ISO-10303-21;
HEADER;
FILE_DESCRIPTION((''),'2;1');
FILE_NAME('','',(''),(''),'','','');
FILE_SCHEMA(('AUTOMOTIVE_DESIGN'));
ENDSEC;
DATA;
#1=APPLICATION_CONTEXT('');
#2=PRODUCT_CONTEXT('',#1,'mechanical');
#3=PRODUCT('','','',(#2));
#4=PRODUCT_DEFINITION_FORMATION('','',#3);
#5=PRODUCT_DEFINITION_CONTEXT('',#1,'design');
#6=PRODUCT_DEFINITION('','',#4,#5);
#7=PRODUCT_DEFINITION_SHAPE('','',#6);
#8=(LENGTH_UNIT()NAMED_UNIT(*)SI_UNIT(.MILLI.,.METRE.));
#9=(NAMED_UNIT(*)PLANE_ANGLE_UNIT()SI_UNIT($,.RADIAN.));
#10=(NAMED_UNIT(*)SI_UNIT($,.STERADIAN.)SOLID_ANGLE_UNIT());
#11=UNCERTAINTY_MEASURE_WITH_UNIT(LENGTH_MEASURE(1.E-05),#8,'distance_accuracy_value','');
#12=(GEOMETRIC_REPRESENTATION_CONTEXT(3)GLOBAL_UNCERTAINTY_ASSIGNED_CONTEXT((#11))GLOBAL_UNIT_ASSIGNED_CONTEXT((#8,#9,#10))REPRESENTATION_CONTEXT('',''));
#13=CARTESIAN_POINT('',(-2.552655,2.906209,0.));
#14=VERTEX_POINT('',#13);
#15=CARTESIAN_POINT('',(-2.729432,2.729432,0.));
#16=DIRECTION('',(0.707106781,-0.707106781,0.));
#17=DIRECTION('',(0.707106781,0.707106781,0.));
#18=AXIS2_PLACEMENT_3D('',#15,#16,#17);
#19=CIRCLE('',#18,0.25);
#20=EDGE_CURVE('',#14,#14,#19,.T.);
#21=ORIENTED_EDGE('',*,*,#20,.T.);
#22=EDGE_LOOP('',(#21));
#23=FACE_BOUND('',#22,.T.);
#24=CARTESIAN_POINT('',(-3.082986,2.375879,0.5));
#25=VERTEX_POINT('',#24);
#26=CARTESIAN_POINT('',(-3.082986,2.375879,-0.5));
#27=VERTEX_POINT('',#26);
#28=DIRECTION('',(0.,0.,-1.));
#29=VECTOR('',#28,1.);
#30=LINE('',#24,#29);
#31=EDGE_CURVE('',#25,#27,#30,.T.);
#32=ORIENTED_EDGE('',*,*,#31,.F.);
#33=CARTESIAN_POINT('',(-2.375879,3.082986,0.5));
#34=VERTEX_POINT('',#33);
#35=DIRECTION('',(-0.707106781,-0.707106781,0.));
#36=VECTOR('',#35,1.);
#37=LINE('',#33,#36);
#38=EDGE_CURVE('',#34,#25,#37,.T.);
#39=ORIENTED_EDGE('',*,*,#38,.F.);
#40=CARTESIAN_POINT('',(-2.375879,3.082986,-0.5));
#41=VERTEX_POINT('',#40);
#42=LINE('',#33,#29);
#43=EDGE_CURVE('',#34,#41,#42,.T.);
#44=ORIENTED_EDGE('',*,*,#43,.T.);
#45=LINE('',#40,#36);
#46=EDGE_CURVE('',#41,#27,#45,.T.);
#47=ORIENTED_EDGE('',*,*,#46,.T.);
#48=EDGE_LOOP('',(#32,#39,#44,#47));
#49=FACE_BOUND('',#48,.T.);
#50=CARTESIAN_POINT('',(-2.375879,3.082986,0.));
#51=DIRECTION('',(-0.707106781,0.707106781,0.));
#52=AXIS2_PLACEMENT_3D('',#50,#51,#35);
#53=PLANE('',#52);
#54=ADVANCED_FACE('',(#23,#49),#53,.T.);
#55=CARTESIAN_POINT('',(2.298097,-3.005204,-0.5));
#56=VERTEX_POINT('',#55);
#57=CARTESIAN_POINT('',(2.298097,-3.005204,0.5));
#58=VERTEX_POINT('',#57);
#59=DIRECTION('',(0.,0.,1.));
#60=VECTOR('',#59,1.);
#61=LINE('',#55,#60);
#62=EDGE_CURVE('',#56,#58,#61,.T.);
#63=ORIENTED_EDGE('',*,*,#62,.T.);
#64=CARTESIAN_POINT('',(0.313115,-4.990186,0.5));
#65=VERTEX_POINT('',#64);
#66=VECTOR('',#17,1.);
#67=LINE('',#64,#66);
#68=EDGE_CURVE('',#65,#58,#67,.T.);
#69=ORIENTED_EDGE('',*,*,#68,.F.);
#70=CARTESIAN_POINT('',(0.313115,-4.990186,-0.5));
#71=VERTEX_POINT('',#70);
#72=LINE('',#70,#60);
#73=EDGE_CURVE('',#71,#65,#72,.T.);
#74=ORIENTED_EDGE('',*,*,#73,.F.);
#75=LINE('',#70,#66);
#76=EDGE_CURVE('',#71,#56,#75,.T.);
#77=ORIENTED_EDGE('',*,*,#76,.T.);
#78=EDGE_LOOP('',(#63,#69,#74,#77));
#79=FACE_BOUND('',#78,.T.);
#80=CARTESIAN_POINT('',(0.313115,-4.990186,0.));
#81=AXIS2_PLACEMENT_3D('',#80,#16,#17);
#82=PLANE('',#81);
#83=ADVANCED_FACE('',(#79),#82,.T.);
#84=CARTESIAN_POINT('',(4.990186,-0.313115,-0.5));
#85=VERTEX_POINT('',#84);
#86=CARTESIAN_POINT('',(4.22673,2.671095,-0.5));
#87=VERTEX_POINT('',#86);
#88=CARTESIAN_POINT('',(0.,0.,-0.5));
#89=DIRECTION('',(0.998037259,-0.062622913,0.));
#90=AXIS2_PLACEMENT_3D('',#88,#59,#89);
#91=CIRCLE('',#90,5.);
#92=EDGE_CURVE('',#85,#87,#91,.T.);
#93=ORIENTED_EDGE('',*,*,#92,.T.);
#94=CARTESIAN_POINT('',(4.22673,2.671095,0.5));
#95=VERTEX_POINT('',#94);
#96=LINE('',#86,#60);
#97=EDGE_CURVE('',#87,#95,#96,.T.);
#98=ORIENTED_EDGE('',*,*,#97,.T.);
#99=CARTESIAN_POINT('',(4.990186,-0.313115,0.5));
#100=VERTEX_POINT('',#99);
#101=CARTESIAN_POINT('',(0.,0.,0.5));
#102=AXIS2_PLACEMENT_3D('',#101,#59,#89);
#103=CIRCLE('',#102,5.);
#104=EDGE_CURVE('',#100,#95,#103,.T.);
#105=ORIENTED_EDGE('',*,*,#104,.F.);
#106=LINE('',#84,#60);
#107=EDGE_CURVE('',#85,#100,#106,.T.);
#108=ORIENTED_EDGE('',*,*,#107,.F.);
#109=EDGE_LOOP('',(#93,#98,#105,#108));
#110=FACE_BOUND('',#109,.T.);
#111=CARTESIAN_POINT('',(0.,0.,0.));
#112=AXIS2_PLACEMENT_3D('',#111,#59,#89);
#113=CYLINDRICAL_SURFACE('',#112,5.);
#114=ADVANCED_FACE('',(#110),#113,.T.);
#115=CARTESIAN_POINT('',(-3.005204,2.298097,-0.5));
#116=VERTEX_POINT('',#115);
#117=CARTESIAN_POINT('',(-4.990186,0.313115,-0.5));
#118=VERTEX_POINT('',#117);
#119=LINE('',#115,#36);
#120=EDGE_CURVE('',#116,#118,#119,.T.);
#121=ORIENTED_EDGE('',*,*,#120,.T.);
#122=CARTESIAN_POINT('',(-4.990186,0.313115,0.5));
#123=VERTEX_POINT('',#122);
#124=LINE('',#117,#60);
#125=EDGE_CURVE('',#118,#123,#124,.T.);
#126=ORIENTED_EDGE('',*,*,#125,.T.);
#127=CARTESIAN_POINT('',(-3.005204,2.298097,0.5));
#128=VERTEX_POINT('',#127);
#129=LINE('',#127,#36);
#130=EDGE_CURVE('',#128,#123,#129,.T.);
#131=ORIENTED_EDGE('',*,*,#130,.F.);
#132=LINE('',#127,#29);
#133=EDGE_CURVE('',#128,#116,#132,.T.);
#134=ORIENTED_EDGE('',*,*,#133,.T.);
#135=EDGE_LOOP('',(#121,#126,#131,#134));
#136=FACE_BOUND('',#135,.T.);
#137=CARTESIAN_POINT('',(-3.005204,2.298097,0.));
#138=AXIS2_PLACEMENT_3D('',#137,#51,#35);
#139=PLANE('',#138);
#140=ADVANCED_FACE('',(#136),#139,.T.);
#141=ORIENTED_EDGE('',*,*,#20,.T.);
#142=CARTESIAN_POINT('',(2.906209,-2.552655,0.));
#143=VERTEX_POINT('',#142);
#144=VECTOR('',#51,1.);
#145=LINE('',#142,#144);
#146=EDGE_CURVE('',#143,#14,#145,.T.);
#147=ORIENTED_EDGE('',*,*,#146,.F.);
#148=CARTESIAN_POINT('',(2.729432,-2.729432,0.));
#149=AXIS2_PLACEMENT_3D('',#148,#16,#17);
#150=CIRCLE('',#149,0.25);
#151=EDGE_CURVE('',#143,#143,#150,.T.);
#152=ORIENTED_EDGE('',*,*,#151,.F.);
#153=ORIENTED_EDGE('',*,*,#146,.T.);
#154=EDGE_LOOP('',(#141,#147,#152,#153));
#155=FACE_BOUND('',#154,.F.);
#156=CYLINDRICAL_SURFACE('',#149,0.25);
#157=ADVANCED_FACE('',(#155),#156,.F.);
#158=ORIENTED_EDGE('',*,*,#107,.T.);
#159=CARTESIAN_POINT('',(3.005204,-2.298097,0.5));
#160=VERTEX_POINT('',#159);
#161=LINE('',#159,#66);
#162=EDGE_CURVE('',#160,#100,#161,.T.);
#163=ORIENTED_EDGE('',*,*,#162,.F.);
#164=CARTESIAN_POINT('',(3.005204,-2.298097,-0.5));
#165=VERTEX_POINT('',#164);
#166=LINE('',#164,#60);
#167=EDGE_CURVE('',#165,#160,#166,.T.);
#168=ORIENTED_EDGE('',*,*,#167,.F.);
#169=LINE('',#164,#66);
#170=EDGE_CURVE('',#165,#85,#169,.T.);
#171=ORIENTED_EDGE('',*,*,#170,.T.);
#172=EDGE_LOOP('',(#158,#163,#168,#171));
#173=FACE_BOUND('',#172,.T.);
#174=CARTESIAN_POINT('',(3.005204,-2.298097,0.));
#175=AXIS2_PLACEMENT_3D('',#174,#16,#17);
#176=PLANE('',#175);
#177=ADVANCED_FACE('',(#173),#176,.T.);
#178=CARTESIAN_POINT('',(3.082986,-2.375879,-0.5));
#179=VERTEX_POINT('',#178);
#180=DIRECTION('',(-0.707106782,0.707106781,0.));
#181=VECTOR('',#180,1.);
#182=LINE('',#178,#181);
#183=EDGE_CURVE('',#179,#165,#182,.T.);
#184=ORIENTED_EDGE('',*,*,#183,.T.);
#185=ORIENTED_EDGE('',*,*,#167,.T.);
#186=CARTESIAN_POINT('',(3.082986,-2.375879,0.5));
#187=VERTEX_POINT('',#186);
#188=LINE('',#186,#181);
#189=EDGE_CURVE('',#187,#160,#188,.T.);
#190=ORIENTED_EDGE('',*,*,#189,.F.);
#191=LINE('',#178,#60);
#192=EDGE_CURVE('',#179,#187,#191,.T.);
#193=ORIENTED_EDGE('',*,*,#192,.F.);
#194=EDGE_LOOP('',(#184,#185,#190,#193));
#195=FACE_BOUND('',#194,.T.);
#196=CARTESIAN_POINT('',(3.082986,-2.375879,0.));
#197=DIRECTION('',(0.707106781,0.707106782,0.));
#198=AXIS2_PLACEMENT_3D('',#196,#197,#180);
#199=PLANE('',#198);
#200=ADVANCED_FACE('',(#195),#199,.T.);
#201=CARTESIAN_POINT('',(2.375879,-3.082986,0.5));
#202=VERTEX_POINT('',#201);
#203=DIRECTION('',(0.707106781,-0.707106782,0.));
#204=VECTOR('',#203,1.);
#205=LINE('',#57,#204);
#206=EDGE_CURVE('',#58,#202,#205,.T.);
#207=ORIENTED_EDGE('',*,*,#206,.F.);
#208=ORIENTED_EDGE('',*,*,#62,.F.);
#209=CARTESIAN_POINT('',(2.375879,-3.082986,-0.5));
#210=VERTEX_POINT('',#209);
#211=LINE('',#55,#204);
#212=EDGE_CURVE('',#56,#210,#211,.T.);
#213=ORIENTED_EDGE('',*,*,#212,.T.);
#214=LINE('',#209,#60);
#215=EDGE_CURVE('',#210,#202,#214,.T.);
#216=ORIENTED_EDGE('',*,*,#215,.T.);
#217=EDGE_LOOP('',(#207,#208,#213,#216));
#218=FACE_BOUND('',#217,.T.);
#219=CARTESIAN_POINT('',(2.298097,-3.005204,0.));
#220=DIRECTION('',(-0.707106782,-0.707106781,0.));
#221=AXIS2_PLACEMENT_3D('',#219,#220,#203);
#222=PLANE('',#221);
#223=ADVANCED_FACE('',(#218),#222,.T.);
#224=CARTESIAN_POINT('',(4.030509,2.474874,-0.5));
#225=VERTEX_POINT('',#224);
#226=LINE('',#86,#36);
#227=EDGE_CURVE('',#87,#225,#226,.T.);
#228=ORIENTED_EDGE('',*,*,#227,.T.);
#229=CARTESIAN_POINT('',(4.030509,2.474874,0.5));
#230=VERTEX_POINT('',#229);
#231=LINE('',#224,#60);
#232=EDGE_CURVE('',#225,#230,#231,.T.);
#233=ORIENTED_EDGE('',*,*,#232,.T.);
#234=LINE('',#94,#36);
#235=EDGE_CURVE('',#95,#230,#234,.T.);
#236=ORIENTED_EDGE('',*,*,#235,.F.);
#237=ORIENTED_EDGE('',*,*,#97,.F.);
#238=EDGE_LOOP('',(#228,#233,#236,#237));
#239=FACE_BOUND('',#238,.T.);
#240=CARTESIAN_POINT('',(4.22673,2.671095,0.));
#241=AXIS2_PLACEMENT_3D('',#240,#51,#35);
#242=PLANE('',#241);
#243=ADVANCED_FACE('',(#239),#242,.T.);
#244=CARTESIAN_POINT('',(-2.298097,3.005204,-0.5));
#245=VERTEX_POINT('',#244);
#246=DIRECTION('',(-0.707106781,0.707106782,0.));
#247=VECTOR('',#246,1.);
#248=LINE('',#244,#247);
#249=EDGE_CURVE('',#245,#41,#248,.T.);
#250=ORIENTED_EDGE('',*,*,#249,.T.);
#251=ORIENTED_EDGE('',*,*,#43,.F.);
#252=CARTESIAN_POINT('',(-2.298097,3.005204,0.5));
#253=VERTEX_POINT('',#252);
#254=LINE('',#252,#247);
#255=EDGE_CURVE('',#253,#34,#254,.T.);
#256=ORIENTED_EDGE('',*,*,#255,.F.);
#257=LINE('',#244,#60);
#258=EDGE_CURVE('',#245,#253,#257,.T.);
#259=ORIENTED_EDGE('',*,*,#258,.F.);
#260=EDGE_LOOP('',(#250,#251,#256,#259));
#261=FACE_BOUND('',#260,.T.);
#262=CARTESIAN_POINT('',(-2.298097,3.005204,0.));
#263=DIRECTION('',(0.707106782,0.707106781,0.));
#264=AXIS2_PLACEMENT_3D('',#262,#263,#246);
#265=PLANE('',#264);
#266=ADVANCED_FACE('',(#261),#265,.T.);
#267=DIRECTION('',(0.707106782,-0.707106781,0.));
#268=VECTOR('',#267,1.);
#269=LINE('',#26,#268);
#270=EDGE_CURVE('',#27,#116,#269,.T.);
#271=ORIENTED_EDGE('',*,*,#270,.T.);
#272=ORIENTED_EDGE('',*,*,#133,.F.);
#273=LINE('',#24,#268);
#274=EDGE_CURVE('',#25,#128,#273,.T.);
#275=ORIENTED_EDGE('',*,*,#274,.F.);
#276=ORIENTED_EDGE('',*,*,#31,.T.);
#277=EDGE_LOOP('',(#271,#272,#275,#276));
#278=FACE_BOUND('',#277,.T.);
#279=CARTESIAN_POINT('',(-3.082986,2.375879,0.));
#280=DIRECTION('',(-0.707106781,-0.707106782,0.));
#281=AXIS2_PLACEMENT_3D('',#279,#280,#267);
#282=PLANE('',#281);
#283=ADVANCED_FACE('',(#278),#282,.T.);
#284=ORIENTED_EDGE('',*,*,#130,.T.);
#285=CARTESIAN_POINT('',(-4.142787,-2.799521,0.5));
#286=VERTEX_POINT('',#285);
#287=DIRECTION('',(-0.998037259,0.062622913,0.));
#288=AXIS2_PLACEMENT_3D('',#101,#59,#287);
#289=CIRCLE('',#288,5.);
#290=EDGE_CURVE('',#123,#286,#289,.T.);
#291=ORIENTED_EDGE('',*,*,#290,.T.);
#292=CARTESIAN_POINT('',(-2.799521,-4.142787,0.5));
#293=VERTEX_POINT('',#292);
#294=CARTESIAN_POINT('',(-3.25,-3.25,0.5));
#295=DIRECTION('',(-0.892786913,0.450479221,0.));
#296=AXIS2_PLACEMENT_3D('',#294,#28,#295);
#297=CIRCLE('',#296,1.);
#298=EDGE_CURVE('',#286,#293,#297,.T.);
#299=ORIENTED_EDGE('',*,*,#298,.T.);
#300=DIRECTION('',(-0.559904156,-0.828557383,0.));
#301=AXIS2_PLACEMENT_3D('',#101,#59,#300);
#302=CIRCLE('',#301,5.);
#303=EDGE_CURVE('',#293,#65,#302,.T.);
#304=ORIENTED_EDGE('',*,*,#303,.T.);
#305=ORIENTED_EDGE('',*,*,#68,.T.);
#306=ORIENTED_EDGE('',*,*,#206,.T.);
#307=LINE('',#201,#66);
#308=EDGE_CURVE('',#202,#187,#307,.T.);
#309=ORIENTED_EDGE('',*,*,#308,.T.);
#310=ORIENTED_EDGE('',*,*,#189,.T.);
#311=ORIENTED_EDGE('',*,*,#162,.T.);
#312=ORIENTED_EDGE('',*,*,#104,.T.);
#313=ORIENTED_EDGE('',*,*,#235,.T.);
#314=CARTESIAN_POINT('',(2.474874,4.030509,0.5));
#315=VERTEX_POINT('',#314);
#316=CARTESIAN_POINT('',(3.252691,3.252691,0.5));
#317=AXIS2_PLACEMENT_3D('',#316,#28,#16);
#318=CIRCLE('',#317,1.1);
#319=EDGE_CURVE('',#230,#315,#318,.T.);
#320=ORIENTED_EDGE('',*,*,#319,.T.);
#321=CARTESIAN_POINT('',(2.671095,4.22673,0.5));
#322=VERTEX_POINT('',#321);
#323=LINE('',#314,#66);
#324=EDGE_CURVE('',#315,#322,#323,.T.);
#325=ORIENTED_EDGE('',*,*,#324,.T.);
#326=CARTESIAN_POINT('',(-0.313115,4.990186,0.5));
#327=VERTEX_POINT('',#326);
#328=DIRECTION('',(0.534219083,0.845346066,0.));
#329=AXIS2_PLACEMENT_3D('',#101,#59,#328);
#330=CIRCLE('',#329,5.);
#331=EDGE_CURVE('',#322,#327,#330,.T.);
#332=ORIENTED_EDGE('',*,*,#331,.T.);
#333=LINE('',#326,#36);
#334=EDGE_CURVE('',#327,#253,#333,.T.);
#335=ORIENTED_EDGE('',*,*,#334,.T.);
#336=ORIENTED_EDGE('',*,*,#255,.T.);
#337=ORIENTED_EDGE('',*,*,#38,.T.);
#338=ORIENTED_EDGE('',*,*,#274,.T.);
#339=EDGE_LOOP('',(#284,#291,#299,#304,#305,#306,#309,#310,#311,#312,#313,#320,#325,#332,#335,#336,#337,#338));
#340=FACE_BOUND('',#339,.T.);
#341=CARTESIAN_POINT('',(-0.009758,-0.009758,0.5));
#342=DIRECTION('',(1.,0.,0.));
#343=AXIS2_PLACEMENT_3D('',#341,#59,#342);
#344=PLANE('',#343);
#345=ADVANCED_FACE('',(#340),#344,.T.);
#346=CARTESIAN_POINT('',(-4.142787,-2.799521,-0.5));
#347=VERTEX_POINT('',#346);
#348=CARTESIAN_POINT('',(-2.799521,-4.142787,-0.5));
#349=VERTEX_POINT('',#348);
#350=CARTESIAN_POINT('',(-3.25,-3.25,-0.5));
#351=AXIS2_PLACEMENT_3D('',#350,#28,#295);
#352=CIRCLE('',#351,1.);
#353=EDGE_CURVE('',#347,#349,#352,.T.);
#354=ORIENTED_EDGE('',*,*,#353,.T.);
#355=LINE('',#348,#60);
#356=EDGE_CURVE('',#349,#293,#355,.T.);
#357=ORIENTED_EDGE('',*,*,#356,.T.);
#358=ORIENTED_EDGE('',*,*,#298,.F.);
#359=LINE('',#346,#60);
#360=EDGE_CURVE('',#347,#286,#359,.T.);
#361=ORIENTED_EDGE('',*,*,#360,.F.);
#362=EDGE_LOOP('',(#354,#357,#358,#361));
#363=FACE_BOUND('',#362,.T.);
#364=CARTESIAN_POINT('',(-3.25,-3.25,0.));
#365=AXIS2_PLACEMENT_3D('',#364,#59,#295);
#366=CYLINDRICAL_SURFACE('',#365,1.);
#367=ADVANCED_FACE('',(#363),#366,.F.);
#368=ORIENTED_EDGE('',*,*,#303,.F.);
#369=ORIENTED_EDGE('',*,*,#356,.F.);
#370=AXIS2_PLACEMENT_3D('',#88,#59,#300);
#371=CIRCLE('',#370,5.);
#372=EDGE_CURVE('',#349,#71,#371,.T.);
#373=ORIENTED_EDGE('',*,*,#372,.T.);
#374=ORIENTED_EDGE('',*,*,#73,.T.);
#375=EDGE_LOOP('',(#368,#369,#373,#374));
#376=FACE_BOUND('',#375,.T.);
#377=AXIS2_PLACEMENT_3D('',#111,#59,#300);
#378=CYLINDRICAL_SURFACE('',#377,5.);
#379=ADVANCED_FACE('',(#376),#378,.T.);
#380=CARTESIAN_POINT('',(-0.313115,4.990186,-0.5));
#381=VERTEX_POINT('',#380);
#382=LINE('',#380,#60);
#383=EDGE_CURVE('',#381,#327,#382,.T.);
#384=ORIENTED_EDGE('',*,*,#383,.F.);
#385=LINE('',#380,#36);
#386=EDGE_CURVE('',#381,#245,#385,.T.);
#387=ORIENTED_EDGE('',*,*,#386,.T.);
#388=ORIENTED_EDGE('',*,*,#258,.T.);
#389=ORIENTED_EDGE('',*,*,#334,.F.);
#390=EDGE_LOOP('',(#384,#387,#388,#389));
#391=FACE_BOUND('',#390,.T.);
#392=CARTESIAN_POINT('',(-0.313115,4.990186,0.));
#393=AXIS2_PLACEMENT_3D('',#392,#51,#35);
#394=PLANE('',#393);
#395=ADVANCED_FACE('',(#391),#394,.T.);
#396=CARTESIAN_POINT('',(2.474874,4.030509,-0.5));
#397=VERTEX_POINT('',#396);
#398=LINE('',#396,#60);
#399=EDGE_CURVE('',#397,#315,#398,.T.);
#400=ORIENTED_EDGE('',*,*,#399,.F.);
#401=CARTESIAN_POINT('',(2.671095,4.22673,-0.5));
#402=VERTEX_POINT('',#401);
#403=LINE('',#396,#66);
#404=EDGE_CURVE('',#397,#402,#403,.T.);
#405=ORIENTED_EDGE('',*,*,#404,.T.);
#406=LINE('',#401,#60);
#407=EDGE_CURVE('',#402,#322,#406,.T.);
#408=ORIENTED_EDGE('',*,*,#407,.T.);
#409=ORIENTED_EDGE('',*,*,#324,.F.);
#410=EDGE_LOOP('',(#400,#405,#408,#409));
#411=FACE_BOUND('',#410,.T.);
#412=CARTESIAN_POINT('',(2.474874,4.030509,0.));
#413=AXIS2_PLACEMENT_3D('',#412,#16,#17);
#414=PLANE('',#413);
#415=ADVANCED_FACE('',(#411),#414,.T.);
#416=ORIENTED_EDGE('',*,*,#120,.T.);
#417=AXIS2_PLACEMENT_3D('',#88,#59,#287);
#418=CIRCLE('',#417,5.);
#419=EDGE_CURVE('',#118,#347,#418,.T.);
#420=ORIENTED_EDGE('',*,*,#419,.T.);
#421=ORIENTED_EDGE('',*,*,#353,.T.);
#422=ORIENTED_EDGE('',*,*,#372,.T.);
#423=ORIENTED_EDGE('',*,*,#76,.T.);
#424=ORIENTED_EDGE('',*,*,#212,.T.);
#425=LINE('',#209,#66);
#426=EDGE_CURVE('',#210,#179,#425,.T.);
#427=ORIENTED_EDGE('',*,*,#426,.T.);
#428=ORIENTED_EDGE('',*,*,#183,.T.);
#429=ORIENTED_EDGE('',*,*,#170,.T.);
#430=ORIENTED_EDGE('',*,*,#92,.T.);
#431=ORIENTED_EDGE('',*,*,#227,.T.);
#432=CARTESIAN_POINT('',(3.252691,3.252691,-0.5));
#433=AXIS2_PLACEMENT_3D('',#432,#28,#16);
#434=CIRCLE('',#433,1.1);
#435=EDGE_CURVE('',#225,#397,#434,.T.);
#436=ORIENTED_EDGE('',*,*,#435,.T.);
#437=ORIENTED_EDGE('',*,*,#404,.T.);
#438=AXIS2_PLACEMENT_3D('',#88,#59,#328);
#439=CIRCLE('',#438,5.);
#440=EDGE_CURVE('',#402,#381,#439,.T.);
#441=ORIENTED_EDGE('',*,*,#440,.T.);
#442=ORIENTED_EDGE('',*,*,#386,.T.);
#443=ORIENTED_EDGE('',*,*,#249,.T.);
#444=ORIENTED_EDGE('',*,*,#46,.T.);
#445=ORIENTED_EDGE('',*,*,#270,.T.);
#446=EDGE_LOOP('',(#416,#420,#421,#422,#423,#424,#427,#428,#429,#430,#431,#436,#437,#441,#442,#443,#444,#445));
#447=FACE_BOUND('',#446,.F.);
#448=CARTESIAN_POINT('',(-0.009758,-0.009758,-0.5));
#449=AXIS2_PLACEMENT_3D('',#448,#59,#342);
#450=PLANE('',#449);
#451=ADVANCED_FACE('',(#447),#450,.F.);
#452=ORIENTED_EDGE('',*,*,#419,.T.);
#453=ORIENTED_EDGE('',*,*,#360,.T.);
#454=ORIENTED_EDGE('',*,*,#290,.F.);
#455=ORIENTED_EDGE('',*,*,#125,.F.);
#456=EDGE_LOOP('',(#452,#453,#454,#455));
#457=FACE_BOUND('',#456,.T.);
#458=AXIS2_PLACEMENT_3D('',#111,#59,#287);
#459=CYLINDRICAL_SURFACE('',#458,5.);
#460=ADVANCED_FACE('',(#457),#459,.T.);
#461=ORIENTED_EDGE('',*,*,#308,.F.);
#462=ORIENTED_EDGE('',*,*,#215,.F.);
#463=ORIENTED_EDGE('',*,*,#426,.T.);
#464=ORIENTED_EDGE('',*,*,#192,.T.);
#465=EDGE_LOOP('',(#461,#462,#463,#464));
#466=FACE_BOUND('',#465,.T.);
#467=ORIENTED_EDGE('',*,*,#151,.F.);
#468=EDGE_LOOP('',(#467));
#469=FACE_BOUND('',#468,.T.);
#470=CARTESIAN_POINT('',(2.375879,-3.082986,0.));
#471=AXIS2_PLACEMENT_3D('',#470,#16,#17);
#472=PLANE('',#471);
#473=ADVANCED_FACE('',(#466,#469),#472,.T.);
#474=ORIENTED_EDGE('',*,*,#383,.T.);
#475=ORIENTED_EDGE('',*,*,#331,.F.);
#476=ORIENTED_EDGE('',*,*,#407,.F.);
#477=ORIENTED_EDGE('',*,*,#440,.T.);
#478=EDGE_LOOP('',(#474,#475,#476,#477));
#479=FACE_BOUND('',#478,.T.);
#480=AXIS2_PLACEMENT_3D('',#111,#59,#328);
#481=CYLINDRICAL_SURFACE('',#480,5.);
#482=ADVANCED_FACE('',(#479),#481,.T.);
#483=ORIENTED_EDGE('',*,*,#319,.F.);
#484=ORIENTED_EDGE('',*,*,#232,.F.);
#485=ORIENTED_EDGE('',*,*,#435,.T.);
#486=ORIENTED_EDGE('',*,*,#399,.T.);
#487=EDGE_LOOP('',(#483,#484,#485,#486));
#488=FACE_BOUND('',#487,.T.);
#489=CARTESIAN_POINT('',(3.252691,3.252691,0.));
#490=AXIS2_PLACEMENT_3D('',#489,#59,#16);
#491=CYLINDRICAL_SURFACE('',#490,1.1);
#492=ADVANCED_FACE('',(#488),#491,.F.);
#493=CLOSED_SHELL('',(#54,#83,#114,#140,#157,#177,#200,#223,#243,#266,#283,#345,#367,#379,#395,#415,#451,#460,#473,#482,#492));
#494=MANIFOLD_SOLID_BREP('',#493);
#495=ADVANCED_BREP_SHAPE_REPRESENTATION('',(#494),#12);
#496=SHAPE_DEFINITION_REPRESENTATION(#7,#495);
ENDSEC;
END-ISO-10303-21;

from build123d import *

# Parameters (mm, degrees)
F1_DEPTH = 0.5
F2_R     = 0.25
F3_DEPTH = 10.9320678119


with BuildPart() as f1:
    # F0 (on Top) → F1 (new body, symmetric)
    with BuildSketch(Plane.XY):
        with BuildLine():
            Line((-3.00520382, 2.2980970389), (-4.9901862962, 0.3131145627))
            ThreePointArc((-4.9901862962, 0.3131145627), (-4.8244092491, -1.3134212566), (-4.1427869129, -2.7995207794))
            ThreePointArc((-4.1427869129, -2.7995207794), (-2.5428932188, -2.5428932188), (-2.7995207794, -4.1427869129))
            ThreePointArc((-2.7995207794, -4.1427869129), (-1.3134212566, -4.8244092491), (0.3131145627, -4.9901862962))
            Line((0.3131145627, -4.9901862962), (2.2980970389, -3.00520382))
            Line((2.2980970389, -3.00520382), (2.3758787848, -3.082985566))
            Line((2.3758787848, -3.082985566), (3.082985566, -2.3758787848))
            Line((3.082985566, -2.3758787848), (3.00520382, -2.2980970389))
            Line((3.00520382, -2.2980970389), (4.9901862962, -0.3131145627))
            ThreePointArc((4.9901862962, -0.3131145627), (4.8439927049, 1.2392476245), (4.2267303315, 2.6710954129))
            Line((4.2267303315, 2.6710954129), (4.0305086528, 2.4748737342))
            ThreePointArc((4.0305086528, 2.4748737342), (2.4748737342, 2.4748737342), (2.4748737342, 4.0305086528))
            Line((2.4748737342, 4.0305086528), (2.6710954129, 4.2267303315))
            ThreePointArc((2.6710954129, 4.2267303315), (1.2392476245, 4.8439927049), (-0.3131145627, 4.9901862962))
            Line((-0.3131145627, 4.9901862962), (-2.2980970389, 3.00520382))
            Line((-2.2980970389, 3.00520382), (-2.3758787848, 3.082985566))
            Line((-2.3758787848, 3.082985566), (-3.082985566, 2.3758787848))
            Line((-3.082985566, 2.3758787848), (-3.00520382, 2.2980970389))
        make_face()
    extrude(amount=F1_DEPTH, both=True)

    # F2 (on face) → F3 (cut, through all)
    with BuildSketch(Plane(origin=(2.7294321754, -2.7294321754, 0), x_dir=(0.7071067812, 0.7071067812, 0), z_dir=(0.7071067812, -0.7071067812, 0))):
        Circle(F2_R)
    extrude(amount=-F3_DEPTH, mode=Mode.SUBTRACT)


solid = f1.part
